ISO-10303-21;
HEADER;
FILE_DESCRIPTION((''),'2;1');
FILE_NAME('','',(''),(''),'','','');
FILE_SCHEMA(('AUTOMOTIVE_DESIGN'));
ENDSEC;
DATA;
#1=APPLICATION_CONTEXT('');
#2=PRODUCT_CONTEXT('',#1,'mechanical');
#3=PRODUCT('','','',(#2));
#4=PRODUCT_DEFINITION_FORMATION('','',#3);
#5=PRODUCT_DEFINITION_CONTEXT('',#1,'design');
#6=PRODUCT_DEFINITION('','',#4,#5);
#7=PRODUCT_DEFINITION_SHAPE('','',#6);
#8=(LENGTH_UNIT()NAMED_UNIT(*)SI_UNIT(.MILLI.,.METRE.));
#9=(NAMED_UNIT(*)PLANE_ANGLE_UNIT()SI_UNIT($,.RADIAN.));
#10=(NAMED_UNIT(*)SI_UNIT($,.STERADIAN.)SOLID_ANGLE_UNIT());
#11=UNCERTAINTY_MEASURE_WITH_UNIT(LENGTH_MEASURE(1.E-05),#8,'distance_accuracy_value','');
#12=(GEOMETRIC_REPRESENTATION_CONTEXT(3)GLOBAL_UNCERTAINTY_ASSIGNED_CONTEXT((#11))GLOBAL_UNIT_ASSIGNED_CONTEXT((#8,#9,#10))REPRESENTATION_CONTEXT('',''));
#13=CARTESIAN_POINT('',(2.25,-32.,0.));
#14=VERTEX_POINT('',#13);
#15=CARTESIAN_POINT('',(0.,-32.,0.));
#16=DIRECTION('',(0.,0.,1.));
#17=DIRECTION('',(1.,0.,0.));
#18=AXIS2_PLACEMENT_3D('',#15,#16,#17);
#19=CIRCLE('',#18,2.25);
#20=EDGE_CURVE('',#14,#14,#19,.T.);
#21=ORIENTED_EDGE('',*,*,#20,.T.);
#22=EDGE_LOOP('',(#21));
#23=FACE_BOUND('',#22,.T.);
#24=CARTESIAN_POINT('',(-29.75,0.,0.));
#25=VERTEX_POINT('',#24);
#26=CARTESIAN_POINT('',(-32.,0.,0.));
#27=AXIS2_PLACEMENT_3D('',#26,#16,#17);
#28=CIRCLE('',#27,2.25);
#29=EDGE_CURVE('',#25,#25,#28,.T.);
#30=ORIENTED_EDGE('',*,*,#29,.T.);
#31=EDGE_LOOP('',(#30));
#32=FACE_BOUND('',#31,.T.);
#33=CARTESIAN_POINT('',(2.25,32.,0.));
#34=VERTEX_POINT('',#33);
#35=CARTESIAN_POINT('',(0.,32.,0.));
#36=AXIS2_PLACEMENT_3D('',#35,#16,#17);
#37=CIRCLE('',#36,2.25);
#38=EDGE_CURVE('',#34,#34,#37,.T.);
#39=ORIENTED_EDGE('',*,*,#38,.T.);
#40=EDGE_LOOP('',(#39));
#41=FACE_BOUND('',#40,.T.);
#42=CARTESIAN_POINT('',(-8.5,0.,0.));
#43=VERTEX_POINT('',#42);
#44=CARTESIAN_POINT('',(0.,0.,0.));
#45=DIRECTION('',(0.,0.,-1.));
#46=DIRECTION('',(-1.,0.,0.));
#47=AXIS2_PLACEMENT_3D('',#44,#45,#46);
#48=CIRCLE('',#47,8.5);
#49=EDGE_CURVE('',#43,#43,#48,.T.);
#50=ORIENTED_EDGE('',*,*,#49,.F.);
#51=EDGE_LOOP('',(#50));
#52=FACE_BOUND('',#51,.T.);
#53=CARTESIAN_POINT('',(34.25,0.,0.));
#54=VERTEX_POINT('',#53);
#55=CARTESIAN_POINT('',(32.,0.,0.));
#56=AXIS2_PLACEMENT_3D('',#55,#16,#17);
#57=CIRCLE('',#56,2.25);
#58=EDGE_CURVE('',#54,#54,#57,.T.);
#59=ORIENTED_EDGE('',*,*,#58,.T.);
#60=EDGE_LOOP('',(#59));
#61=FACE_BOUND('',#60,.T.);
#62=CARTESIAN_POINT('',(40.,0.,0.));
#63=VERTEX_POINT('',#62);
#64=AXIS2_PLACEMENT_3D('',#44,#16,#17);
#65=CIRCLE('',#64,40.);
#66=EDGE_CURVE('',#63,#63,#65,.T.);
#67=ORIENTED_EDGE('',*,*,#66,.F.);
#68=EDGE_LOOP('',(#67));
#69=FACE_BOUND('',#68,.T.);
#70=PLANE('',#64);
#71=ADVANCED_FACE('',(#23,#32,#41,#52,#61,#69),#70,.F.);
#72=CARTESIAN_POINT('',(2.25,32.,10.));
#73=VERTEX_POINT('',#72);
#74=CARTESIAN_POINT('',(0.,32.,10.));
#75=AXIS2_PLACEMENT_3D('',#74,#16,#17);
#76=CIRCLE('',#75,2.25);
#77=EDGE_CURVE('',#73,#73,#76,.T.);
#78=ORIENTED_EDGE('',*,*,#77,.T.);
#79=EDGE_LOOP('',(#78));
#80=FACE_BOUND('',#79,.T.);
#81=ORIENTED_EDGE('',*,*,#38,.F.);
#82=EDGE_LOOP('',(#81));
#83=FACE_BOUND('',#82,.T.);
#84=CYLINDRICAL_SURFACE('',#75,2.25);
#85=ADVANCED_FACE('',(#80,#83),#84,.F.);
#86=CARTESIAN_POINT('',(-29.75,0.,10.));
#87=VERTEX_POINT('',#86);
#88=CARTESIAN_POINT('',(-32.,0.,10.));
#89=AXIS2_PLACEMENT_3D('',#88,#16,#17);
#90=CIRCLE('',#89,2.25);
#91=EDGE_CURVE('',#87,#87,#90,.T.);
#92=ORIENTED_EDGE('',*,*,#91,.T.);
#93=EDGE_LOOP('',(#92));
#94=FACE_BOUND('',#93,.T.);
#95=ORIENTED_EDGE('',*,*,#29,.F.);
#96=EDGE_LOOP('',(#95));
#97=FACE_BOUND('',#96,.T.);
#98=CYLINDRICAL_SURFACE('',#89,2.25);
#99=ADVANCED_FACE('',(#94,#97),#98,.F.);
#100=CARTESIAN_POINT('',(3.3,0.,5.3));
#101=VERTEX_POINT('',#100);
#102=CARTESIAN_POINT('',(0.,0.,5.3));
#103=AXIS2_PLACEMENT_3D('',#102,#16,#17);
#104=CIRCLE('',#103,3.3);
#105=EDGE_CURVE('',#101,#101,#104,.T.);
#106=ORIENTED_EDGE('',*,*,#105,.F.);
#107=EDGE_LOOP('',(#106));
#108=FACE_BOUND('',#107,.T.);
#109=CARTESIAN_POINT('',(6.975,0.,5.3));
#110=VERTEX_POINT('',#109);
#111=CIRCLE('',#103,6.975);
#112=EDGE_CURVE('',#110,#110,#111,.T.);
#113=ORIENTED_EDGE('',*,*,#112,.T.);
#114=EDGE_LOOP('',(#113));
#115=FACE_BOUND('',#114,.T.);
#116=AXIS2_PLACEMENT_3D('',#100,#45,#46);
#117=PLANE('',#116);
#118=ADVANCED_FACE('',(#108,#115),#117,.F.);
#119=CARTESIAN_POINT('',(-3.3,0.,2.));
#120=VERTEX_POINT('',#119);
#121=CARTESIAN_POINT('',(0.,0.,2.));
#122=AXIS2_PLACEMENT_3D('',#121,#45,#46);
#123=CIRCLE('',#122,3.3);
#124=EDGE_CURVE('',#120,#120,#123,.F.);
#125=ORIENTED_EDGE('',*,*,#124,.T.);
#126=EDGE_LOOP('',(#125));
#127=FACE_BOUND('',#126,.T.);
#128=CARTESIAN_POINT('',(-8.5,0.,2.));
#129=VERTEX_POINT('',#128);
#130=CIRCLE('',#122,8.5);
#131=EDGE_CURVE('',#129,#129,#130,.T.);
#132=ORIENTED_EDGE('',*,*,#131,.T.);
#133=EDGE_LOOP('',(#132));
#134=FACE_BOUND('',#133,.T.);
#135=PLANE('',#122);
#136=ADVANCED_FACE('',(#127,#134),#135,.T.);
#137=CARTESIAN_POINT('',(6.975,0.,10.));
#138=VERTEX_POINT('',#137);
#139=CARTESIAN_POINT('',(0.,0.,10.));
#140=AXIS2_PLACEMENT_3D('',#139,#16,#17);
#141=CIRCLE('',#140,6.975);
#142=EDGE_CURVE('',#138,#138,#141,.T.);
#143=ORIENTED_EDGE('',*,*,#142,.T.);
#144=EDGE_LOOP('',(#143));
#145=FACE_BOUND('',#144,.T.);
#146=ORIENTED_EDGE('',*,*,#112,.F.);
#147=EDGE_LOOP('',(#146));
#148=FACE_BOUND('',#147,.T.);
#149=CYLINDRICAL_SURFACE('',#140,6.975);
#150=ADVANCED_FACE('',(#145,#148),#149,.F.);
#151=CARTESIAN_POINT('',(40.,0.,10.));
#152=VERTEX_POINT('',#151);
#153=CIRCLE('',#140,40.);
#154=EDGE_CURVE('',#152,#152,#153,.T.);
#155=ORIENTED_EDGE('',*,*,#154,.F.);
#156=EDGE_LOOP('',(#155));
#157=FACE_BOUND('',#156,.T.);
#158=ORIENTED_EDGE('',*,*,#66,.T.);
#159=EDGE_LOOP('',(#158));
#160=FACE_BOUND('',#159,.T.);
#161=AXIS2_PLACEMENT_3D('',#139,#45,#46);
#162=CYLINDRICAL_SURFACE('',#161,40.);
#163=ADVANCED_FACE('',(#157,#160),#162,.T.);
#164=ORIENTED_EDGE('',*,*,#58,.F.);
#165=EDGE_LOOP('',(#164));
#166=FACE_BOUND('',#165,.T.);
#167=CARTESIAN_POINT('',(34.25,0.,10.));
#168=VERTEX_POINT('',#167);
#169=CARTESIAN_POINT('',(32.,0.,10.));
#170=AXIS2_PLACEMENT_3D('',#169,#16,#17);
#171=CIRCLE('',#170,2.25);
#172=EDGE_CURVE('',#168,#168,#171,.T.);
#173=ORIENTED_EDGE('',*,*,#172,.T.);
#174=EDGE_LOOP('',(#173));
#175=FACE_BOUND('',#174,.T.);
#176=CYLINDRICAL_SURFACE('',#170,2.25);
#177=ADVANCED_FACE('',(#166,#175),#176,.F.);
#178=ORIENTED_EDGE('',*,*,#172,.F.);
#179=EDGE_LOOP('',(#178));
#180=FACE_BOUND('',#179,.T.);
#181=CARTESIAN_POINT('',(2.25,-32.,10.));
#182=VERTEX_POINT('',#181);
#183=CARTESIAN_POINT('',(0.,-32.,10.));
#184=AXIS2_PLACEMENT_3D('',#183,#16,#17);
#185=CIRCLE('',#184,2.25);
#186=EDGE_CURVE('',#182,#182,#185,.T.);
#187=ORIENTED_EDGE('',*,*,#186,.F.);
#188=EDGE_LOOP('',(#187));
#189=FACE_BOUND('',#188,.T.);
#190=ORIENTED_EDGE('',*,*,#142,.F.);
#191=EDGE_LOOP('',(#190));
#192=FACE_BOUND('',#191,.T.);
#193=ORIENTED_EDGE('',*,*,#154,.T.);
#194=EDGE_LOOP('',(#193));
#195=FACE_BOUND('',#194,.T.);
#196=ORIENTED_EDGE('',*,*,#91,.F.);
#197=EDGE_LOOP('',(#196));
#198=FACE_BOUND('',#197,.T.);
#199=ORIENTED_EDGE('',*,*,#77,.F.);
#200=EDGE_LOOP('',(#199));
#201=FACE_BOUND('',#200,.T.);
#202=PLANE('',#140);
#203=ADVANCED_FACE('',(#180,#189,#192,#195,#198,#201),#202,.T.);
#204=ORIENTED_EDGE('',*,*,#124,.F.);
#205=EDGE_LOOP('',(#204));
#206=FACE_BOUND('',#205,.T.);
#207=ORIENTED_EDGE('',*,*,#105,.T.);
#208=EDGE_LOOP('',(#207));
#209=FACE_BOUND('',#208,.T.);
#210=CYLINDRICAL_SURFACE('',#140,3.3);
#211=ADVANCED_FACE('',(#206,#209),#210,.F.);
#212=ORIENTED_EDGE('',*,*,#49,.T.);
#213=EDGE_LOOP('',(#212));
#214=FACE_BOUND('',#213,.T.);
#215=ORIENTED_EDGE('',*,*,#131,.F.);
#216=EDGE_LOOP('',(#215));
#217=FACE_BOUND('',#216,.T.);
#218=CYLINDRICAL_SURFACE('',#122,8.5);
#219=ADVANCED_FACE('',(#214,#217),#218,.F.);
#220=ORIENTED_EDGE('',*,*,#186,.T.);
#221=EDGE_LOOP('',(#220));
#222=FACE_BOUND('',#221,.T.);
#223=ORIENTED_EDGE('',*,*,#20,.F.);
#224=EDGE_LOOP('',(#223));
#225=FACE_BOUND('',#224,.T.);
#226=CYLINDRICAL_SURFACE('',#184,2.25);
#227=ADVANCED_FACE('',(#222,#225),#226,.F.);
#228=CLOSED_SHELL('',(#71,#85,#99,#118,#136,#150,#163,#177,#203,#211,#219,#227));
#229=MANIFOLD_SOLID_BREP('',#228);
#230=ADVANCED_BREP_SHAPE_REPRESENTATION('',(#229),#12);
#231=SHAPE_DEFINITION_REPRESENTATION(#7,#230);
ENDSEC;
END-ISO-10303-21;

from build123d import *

# Parameters (mm, degrees)
SKETCH1_R                                        = 40
BOSS_EXTRUDE1_DEPTH                              = 10
CBORE_FOR_M6_HEX_HEAD_MACHINE_SCREW1_D           = 6.6
CBORE_FOR_M6_HEX_HEAD_MACHINE_SCREW1_CBORE_D     = 13.95
CBORE_FOR_M6_HEX_HEAD_MACHINE_SCREW1_CBORE_DEPTH = 4.7
M4_CLEARANCE_HOLE1_D                             = 4.5
SKETCH6_R                                        = 8.5
CUT_EXTRUDE1_DEPTH                               = 2


with BuildPart() as part:
    # Sketch1 → Boss-Extrude1 (new body)
    with BuildSketch(Plane.XY):
        Circle(SKETCH1_R)
    extrude(amount=BOSS_EXTRUDE1_DEPTH)

    # CBORE for M6 Hex Head Machine Screw1 (through all)
    with Locations(Plane.XY.offset(10)):
        with Locations((0, 0)):
            CounterBoreHole(CBORE_FOR_M6_HEX_HEAD_MACHINE_SCREW1_D / 2, CBORE_FOR_M6_HEX_HEAD_MACHINE_SCREW1_CBORE_D / 2, CBORE_FOR_M6_HEX_HEAD_MACHINE_SCREW1_CBORE_DEPTH)

    # M4 Clearance Hole1 (through all)
    with Locations(Plane.XY.offset(10)):
        with Locations((0, 32), (32, 0), (0, -32), (-32, 0)):
            Hole(M4_CLEARANCE_HOLE1_D / 2)

    # Sketch6 → Cut-Extrude1 (cut)
    with BuildSketch(Plane(origin=(0, 0, 0), x_dir=(-1, 0, 0), z_dir=(0, 0, -1))):
        Circle(SKETCH6_R)
    extrude(amount=-CUT_EXTRUDE1_DEPTH, mode=Mode.SUBTRACT)


solid = part.part
